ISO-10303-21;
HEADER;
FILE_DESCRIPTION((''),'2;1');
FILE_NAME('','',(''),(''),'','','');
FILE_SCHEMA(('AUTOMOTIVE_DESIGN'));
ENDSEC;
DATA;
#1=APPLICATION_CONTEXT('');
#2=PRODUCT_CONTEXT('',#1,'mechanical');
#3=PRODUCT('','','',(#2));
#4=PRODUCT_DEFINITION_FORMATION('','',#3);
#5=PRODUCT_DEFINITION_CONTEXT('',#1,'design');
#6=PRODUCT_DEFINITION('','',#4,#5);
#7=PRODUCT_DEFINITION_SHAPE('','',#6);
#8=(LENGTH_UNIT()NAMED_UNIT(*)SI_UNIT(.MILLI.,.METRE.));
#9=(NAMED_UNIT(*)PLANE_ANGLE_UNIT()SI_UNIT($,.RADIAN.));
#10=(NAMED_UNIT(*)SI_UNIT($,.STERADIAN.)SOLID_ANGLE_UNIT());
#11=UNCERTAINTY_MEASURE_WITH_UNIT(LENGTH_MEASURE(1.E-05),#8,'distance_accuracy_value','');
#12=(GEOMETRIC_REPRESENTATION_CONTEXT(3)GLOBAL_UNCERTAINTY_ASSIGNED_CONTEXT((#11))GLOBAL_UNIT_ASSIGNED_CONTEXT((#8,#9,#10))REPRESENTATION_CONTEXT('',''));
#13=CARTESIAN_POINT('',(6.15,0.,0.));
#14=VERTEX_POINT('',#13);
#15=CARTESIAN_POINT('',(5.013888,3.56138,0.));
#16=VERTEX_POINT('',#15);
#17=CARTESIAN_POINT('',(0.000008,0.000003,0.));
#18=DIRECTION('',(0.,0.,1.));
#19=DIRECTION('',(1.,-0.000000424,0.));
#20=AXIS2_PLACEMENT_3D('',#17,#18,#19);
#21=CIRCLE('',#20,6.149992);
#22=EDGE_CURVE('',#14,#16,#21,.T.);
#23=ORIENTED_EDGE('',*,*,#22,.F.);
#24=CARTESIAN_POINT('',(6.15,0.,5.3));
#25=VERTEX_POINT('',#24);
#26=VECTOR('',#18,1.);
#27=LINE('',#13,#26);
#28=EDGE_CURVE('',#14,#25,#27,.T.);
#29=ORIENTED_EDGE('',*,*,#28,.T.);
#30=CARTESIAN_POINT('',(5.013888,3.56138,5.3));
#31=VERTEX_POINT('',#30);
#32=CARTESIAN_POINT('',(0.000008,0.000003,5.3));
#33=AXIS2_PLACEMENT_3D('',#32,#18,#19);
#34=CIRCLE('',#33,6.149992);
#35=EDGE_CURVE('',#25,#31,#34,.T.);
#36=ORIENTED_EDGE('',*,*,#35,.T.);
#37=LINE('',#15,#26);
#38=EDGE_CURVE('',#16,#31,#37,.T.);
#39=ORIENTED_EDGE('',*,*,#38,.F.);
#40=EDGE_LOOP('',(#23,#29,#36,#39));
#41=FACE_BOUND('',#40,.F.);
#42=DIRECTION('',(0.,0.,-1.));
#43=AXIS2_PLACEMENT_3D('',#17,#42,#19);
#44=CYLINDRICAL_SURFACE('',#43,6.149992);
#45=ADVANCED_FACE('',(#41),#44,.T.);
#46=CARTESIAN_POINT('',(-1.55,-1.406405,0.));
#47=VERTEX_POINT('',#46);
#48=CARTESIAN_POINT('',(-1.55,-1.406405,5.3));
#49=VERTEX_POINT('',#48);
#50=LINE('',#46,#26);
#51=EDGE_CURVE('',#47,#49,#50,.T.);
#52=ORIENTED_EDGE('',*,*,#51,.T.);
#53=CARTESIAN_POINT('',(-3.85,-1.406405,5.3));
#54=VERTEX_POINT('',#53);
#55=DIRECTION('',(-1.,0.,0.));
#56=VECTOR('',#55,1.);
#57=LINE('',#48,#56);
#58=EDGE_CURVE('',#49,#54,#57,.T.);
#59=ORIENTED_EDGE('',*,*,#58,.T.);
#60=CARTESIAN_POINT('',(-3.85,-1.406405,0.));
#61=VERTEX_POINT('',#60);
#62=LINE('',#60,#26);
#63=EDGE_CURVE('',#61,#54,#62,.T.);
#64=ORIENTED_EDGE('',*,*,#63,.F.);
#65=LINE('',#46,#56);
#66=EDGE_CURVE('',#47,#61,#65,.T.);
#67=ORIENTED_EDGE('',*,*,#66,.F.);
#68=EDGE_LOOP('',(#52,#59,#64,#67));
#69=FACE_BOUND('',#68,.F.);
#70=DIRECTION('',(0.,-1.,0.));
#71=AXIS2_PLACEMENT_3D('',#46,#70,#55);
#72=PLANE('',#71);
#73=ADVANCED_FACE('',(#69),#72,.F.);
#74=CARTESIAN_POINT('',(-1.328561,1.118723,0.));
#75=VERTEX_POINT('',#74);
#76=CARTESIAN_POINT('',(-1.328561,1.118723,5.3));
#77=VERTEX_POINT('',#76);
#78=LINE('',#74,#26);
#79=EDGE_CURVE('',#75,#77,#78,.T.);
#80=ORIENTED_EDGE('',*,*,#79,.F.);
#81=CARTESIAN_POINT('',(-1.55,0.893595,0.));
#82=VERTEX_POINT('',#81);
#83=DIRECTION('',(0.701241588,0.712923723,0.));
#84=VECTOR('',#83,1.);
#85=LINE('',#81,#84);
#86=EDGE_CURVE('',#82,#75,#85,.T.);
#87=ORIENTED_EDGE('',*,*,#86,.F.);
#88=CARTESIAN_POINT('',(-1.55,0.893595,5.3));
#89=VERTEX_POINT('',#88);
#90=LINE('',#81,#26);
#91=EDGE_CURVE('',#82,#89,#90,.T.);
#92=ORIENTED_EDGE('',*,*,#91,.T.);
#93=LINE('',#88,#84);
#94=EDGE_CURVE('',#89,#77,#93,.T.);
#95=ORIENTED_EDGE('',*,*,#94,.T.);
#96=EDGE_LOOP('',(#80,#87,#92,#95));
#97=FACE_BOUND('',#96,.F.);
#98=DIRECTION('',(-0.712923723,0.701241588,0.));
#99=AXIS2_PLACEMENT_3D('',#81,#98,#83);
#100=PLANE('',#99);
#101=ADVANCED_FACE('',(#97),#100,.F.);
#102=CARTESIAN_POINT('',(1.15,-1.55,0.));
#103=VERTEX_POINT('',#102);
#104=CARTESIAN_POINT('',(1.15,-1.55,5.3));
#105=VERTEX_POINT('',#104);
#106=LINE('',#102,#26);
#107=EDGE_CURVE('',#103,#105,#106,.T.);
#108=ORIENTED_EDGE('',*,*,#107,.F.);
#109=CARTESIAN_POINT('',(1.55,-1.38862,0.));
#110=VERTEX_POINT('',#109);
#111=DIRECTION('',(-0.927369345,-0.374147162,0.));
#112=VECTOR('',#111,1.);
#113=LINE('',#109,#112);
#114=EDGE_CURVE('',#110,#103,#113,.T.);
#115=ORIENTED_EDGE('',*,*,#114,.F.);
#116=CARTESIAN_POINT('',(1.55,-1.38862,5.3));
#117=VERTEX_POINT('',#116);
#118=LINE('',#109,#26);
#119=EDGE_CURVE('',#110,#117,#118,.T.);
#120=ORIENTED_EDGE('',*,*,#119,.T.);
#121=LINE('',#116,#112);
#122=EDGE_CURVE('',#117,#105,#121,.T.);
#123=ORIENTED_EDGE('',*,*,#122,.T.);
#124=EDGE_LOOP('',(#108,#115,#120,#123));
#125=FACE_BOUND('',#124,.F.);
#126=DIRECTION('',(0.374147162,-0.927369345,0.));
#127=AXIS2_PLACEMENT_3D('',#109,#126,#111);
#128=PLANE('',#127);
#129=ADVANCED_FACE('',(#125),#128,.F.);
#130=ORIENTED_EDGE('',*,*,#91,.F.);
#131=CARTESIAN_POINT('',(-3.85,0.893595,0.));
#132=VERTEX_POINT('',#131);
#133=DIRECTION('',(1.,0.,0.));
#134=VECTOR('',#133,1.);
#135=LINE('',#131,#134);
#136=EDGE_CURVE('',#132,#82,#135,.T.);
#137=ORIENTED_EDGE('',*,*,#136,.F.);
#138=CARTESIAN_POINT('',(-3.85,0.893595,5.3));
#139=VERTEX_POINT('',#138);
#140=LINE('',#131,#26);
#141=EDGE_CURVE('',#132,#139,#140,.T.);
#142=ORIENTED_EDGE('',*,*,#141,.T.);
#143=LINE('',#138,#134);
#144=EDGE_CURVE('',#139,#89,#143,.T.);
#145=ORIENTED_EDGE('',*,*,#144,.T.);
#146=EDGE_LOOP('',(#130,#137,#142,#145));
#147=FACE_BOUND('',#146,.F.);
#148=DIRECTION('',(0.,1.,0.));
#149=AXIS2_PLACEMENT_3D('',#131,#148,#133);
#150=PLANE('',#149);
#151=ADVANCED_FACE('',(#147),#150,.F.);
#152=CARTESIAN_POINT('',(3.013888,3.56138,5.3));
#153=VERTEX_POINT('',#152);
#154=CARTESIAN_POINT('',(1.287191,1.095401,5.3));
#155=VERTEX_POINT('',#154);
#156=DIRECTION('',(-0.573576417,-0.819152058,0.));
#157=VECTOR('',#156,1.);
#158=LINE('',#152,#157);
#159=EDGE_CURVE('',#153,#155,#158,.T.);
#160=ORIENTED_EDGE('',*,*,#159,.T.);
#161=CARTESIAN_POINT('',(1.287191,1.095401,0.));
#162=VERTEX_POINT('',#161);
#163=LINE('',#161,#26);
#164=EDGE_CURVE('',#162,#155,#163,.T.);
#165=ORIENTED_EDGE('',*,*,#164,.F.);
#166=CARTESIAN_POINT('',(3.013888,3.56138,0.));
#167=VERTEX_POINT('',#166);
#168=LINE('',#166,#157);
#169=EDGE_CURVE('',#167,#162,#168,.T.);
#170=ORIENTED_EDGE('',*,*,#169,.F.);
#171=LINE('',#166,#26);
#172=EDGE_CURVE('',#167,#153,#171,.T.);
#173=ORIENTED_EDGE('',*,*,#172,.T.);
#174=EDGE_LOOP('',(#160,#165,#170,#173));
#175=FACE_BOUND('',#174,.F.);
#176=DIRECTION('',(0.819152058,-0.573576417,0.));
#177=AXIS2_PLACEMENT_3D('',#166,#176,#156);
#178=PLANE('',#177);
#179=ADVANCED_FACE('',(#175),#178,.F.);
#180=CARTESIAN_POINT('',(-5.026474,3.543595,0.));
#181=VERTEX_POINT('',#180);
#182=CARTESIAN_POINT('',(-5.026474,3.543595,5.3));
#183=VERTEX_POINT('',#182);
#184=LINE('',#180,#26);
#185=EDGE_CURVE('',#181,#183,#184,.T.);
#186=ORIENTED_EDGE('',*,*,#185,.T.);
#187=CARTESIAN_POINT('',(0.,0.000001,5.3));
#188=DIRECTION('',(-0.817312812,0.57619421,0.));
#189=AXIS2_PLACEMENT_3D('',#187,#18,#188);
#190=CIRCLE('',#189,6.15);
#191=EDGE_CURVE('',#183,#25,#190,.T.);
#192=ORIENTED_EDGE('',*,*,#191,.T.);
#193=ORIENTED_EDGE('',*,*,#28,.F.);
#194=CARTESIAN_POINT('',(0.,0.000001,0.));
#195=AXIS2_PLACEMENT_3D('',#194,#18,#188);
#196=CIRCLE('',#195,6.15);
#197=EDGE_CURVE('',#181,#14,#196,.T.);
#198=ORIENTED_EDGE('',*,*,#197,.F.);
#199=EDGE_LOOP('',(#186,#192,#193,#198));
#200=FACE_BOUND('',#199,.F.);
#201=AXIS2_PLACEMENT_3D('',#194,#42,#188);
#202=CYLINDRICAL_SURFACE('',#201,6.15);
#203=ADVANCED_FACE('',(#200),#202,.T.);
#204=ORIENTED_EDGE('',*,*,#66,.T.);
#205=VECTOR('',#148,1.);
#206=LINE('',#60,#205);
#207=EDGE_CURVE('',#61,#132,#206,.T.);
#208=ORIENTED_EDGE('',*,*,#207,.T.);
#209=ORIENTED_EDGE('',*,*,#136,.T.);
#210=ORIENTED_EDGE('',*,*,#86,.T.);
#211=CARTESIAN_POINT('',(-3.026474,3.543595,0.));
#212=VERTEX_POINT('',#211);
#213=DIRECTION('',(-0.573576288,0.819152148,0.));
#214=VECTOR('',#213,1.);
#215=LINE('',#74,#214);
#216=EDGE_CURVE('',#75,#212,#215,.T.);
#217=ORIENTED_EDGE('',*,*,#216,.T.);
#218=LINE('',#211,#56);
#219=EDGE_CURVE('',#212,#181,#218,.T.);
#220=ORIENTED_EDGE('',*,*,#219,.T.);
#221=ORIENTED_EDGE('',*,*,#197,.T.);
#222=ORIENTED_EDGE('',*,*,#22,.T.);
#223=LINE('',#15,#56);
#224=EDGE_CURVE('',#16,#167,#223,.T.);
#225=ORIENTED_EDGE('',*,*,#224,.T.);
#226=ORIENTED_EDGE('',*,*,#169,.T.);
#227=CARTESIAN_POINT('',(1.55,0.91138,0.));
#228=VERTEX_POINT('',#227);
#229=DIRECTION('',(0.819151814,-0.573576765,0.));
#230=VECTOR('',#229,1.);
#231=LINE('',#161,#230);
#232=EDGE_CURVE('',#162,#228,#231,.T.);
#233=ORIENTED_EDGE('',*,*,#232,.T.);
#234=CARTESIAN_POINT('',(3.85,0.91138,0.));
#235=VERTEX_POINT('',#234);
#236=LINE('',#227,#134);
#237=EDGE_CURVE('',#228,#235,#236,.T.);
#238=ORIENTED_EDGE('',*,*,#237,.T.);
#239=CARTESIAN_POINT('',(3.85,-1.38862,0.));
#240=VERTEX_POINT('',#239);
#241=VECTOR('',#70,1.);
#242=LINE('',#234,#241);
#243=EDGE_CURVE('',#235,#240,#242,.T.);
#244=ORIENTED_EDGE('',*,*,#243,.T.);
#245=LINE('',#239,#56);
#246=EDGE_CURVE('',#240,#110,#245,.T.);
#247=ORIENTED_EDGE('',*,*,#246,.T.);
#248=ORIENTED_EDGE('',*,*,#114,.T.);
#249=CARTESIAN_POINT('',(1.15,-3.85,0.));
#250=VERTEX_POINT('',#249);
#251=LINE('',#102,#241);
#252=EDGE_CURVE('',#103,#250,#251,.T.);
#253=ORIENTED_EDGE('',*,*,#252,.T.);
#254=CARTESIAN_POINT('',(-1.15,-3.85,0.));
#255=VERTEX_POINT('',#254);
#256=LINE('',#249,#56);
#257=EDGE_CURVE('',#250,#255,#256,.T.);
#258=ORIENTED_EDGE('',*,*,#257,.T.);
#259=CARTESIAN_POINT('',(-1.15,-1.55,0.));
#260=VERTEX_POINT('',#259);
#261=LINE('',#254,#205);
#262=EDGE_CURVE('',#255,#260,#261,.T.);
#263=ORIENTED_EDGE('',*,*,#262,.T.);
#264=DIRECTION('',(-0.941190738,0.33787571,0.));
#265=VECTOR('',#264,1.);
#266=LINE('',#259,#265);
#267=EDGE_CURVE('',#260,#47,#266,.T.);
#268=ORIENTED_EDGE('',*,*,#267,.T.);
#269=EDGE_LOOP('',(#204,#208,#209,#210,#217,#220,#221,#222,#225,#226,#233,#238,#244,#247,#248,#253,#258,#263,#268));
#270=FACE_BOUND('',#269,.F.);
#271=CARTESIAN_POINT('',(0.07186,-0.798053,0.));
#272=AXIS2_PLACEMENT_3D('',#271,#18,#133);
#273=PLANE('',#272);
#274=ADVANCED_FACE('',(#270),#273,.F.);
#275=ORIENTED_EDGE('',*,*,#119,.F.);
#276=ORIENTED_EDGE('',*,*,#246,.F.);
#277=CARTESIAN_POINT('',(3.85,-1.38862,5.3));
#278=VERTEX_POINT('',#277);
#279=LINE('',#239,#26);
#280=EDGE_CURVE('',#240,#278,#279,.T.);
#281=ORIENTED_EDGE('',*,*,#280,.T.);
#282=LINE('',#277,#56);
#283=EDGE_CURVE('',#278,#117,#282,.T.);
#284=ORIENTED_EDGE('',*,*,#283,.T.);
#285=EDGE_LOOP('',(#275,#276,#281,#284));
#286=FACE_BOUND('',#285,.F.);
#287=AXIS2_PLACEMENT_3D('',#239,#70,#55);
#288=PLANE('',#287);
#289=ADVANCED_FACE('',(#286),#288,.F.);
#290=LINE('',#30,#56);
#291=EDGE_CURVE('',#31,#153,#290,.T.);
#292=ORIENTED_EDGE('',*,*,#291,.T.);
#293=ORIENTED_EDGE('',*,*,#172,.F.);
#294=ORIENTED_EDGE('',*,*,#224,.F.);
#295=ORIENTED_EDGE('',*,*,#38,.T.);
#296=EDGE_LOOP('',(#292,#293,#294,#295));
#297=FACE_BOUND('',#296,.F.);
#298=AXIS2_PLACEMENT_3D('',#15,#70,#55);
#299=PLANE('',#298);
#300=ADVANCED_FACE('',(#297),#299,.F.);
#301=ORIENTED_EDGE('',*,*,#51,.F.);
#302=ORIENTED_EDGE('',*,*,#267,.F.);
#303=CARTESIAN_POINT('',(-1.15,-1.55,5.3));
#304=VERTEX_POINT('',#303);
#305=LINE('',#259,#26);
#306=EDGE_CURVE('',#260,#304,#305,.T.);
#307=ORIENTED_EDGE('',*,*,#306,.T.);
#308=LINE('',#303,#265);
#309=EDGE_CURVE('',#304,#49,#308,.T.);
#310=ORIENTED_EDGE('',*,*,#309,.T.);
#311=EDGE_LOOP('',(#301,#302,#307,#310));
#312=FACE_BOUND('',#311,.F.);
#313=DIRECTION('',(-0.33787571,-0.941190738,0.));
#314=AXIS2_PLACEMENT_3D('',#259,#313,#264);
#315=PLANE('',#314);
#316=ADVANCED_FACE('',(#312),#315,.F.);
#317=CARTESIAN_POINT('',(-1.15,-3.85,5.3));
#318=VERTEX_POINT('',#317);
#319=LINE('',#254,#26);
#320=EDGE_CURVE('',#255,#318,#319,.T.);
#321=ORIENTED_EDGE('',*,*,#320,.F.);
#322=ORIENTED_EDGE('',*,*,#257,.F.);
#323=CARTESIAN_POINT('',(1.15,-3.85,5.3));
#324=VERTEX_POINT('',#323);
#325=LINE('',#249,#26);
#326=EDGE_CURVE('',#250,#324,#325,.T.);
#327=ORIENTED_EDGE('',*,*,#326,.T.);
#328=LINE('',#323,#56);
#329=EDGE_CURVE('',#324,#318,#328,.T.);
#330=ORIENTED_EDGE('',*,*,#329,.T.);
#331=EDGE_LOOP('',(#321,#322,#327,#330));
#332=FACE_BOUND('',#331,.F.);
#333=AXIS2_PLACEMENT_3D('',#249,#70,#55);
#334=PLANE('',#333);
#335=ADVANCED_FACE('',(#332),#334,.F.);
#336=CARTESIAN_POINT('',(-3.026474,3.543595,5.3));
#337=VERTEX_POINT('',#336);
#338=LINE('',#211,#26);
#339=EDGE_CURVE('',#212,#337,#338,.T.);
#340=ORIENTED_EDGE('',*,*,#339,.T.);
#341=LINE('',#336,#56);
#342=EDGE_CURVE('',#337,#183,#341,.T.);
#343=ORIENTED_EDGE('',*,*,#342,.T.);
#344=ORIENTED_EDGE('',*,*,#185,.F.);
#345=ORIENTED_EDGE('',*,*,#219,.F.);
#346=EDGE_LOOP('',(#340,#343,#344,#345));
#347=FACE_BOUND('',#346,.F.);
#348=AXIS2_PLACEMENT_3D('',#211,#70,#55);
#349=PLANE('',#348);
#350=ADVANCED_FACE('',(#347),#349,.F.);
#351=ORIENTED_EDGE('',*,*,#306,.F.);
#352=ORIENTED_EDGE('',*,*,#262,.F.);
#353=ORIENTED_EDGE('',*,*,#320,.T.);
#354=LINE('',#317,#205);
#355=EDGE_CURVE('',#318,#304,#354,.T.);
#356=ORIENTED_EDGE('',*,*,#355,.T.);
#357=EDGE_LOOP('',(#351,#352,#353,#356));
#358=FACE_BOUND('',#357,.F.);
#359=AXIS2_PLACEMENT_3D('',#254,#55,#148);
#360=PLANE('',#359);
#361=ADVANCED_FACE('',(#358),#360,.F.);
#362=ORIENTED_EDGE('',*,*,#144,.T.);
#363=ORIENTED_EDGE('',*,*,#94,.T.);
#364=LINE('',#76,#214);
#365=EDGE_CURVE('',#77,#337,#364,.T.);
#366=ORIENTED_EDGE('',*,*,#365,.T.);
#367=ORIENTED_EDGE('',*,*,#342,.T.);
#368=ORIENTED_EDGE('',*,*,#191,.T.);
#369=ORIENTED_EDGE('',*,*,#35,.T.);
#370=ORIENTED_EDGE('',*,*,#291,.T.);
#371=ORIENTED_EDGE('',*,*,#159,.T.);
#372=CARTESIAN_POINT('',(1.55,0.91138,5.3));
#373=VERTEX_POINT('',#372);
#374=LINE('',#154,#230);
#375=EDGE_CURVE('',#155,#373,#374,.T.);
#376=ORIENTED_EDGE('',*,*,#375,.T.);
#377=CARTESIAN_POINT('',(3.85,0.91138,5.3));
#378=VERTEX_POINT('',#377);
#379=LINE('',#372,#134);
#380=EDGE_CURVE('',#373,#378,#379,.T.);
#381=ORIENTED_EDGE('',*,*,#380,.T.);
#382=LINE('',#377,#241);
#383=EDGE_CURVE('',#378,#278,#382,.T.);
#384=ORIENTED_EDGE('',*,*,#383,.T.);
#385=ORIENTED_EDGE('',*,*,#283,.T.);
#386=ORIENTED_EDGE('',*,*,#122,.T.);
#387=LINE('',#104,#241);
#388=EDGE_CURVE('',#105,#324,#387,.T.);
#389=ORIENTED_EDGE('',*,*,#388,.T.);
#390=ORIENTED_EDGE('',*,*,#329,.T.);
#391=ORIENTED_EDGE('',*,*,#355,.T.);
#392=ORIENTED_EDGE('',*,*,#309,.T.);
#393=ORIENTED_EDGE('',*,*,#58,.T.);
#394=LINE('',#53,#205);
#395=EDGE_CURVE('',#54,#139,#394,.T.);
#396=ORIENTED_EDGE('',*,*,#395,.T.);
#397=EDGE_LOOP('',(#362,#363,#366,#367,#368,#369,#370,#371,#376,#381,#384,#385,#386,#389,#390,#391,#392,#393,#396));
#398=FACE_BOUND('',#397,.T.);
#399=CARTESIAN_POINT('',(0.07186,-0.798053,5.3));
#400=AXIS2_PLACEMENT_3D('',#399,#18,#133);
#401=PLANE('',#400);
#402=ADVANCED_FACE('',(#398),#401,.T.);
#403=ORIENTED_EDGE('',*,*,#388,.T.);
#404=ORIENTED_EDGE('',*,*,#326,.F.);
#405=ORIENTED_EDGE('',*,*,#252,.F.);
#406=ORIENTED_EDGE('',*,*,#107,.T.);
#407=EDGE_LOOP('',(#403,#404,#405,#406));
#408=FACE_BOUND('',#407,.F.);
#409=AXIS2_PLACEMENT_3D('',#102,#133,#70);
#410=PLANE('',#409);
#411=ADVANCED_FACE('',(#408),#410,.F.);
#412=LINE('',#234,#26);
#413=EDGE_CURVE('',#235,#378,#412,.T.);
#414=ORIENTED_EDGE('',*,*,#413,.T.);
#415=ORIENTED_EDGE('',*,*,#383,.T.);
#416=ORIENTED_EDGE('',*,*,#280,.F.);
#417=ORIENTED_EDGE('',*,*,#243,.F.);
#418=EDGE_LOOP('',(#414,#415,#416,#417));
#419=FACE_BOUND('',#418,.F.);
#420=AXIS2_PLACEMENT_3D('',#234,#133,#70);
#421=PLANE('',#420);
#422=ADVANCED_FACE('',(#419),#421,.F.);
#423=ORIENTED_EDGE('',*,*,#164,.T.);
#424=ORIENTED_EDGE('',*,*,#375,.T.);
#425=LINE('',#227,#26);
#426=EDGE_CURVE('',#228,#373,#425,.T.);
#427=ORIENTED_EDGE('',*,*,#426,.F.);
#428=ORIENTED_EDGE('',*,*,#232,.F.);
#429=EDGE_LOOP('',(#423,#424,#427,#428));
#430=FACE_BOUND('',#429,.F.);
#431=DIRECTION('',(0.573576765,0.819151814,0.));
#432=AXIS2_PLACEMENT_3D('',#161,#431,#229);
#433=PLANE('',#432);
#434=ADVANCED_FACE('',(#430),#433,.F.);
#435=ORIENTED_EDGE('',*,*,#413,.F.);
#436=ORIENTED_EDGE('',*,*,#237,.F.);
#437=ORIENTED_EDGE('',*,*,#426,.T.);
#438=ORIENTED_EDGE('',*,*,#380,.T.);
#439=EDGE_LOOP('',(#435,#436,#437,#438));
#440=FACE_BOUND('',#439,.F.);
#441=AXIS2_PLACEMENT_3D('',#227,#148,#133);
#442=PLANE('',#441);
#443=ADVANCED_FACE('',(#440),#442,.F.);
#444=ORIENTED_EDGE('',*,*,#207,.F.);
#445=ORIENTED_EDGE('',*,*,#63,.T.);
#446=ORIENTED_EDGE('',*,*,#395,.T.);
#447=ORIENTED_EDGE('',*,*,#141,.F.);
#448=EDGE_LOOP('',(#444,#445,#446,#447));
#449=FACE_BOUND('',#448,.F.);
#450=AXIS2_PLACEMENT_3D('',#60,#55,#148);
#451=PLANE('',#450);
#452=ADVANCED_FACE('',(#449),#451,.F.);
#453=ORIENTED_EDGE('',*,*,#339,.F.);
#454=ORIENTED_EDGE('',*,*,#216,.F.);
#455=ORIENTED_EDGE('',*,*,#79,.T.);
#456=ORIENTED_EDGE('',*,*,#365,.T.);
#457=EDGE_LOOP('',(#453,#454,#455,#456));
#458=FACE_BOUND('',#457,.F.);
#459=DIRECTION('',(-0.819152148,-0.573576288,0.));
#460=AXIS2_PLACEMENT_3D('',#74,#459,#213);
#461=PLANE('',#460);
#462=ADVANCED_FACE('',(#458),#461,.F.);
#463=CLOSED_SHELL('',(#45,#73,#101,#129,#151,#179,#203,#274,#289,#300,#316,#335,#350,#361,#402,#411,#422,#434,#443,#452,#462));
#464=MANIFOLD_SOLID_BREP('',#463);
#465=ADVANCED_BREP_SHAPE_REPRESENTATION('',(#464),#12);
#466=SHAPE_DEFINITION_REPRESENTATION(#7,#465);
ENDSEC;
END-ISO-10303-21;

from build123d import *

# Parameters (mm, degrees)
F1_DEPTH = 5.3


with BuildPart() as f1:
    # F0 (on Top) → F1 (new body)
    with BuildSketch(Plane.XY):
        with BuildLine():
            ThreePointArc((-5.026474, 3.543595), (-1.858721, -5.862393), (6.15, 0))
            ThreePointArc((6.15, 0), (5.859092, 1.869103), (5.013888, 3.56138))
            Line((5.013888, 3.56138), (3.013888, 3.56138))
            Line((3.013888, 3.56138), (1.287191, 1.095401))
            Line((1.287191, 1.095401), (1.55, 0.91138))
            Line((1.55, 0.91138), (3.85, 0.91138))
            Line((3.85, 0.91138), (3.85, -1.38862))
            Line((3.85, -1.38862), (1.55, -1.38862))
            Line((1.55, -1.38862), (1.15, -1.55))
            Line((1.15, -1.55), (1.15, -3.85))
            Line((1.15, -3.85), (-1.15, -3.85))
            Line((-1.15, -3.85), (-1.15, -1.55))
            Line((-1.15, -1.55), (-1.55, -1.406405))
            Line((-1.55, -1.406405), (-3.85, -1.406405))
            Line((-3.85, -1.406405), (-3.85, 0.893595))
            Line((-3.85, 0.893595), (-1.55, 0.893595))
            Line((-1.55, 0.893595), (-1.328561, 1.118723))
            Line((-1.328561, 1.118723), (-3.026474, 3.543595))
            Line((-3.026474, 3.543595), (-5.026474, 3.543595))
        make_face()
    extrude(amount=F1_DEPTH)


solid = f1.part
